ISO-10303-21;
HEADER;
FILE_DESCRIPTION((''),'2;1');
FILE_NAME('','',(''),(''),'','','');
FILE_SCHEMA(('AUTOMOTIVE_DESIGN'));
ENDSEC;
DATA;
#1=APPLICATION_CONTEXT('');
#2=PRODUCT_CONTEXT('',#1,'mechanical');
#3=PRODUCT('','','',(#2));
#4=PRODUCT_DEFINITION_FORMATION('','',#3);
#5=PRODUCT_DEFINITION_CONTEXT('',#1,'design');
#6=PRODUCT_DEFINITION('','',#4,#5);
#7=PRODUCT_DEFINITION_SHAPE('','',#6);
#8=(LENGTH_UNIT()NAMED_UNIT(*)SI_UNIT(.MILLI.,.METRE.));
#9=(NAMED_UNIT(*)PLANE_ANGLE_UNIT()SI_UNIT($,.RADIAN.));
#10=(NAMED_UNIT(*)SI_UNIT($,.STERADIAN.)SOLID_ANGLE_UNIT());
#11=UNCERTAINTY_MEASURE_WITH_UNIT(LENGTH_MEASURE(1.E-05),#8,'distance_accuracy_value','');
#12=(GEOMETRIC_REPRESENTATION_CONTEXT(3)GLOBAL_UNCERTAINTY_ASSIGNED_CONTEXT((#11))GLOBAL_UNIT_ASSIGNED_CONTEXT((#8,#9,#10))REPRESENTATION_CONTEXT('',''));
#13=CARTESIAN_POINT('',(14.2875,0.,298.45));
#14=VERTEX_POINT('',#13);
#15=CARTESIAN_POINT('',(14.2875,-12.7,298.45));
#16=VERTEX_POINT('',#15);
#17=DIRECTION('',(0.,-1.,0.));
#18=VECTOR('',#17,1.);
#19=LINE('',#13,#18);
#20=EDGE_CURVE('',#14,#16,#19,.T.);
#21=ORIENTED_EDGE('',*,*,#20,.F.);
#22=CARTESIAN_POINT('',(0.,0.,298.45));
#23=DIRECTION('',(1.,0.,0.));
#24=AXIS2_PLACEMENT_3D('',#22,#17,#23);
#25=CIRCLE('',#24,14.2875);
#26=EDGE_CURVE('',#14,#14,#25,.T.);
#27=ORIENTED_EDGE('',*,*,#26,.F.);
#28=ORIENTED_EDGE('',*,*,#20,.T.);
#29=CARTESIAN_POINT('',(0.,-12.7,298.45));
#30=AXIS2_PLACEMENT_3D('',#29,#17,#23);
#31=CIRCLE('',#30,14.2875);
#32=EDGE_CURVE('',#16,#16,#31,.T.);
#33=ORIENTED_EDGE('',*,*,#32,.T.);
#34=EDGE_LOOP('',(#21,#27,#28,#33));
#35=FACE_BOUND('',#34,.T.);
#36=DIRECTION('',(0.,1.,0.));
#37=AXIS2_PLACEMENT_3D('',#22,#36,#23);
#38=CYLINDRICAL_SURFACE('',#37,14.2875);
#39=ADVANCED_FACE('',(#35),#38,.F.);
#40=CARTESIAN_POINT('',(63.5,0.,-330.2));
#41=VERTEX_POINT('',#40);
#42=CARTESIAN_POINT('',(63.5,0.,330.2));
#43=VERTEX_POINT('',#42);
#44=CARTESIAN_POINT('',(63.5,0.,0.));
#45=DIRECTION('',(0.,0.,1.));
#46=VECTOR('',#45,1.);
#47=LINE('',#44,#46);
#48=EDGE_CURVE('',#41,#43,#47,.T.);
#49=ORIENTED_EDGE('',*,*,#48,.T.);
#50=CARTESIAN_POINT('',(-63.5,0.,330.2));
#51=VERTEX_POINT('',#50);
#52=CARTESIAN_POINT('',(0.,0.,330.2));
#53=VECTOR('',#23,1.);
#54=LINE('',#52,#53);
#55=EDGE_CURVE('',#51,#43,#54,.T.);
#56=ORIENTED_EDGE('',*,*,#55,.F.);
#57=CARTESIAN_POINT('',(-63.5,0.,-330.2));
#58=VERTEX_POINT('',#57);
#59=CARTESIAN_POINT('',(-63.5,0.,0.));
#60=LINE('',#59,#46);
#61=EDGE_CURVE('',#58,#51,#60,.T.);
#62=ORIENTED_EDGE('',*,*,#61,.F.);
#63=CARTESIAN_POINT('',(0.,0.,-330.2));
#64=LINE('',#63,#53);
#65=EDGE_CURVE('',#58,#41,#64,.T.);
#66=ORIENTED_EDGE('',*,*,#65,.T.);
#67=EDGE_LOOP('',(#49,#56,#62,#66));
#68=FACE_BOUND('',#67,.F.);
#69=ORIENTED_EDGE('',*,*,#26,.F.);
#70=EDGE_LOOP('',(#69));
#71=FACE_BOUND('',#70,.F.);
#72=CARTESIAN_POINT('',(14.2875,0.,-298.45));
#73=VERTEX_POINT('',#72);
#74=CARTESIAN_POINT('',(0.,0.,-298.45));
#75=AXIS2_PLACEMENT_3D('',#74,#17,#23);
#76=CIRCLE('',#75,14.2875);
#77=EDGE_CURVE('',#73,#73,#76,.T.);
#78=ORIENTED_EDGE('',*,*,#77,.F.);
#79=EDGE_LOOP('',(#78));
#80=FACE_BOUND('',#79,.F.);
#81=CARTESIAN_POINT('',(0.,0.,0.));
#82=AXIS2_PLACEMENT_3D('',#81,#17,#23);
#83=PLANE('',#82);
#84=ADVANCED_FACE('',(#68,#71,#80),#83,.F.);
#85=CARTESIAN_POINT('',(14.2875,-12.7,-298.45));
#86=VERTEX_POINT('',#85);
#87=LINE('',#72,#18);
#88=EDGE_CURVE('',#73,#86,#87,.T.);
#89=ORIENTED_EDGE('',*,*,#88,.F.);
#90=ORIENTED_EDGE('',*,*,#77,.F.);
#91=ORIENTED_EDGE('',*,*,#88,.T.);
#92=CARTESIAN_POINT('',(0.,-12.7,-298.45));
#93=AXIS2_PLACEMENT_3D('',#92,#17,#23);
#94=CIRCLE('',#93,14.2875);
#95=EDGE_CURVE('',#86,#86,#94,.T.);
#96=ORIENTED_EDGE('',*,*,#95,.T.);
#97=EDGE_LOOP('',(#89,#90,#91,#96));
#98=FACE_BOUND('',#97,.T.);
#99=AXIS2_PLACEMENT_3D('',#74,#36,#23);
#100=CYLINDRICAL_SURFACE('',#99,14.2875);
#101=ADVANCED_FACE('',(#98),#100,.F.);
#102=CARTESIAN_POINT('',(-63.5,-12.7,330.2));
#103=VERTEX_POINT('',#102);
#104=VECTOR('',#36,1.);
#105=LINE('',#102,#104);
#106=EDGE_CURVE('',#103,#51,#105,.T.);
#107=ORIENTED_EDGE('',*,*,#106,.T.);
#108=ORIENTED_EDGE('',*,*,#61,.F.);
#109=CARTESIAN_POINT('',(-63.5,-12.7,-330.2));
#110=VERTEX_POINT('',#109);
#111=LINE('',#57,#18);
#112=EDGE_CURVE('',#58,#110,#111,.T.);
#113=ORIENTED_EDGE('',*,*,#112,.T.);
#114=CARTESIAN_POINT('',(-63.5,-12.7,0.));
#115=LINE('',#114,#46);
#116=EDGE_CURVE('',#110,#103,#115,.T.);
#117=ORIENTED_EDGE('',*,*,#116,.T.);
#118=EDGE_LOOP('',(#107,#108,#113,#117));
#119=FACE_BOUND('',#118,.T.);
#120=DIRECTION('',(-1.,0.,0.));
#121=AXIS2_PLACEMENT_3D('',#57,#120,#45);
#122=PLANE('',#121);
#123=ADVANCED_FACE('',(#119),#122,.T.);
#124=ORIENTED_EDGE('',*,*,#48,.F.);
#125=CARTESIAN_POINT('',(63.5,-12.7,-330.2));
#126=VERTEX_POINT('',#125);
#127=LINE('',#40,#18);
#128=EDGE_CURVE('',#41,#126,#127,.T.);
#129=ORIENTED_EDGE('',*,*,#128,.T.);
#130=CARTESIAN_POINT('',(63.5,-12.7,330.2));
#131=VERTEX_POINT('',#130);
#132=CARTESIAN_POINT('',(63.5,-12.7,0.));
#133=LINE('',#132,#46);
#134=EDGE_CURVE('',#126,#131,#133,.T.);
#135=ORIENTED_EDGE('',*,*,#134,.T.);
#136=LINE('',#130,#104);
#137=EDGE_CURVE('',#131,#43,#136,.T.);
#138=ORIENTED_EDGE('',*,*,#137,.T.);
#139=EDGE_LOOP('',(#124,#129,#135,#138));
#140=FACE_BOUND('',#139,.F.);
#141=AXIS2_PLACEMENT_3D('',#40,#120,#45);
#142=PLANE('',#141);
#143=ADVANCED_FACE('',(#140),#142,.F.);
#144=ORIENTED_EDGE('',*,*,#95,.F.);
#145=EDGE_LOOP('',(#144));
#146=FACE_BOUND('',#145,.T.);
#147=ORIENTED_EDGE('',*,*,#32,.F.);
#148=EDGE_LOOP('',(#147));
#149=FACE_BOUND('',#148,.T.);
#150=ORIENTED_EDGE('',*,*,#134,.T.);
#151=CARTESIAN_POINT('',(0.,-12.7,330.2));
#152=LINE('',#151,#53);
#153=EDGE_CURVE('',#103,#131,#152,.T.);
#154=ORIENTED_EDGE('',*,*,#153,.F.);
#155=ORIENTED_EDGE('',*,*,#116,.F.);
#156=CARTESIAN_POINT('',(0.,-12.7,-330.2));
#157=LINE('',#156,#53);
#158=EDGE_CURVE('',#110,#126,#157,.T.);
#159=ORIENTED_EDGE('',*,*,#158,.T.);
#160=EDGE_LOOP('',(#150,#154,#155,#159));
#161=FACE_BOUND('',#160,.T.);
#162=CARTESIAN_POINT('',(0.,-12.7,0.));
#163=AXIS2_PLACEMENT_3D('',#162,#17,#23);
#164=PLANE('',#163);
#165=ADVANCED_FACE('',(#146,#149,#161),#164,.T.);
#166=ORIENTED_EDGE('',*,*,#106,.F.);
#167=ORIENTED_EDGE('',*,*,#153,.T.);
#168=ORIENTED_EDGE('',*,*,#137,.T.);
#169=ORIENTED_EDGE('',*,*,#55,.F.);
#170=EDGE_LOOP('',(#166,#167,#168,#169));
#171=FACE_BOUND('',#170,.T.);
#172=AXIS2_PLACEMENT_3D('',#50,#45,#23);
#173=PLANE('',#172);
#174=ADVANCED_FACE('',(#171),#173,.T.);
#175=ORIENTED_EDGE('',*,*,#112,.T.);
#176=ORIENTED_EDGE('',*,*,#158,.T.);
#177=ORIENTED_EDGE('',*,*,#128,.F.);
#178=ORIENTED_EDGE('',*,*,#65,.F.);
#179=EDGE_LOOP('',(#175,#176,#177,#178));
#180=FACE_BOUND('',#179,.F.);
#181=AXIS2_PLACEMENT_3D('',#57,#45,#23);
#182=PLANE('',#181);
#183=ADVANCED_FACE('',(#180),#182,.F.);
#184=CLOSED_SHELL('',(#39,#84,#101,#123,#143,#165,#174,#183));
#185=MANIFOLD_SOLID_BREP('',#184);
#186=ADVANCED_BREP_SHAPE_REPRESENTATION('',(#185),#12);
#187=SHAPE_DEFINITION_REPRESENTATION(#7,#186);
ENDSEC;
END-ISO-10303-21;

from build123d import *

# Parameters (mm, degrees)
F0_W     = 127
F0_H     = 660.4
F0_R     = 14.2875
F1_DEPTH = 9.525
F2_DEPTH = 12.7


with BuildPart() as f1:
    # F0 (on Front) → F1 (new body)
    with BuildSketch(Plane.XZ):
        Rectangle(F0_W, F0_H)
        with Locations((0, -298.45)):
            Circle(F0_R, mode=Mode.SUBTRACT)
        with Locations((0, 298.45)):
            Circle(F0_R, mode=Mode.SUBTRACT)
    extrude(amount=F1_DEPTH)

    # F0 (on Front) → F2 (join)
    with BuildSketch(Plane.XZ):
        Rectangle(F0_W, F0_H)
        with Locations((0, -298.45)):
            Circle(F0_R, mode=Mode.SUBTRACT)
        with Locations((0, 298.45)):
            Circle(F0_R, mode=Mode.SUBTRACT)
    extrude(amount=F2_DEPTH)


solid = f1.part
